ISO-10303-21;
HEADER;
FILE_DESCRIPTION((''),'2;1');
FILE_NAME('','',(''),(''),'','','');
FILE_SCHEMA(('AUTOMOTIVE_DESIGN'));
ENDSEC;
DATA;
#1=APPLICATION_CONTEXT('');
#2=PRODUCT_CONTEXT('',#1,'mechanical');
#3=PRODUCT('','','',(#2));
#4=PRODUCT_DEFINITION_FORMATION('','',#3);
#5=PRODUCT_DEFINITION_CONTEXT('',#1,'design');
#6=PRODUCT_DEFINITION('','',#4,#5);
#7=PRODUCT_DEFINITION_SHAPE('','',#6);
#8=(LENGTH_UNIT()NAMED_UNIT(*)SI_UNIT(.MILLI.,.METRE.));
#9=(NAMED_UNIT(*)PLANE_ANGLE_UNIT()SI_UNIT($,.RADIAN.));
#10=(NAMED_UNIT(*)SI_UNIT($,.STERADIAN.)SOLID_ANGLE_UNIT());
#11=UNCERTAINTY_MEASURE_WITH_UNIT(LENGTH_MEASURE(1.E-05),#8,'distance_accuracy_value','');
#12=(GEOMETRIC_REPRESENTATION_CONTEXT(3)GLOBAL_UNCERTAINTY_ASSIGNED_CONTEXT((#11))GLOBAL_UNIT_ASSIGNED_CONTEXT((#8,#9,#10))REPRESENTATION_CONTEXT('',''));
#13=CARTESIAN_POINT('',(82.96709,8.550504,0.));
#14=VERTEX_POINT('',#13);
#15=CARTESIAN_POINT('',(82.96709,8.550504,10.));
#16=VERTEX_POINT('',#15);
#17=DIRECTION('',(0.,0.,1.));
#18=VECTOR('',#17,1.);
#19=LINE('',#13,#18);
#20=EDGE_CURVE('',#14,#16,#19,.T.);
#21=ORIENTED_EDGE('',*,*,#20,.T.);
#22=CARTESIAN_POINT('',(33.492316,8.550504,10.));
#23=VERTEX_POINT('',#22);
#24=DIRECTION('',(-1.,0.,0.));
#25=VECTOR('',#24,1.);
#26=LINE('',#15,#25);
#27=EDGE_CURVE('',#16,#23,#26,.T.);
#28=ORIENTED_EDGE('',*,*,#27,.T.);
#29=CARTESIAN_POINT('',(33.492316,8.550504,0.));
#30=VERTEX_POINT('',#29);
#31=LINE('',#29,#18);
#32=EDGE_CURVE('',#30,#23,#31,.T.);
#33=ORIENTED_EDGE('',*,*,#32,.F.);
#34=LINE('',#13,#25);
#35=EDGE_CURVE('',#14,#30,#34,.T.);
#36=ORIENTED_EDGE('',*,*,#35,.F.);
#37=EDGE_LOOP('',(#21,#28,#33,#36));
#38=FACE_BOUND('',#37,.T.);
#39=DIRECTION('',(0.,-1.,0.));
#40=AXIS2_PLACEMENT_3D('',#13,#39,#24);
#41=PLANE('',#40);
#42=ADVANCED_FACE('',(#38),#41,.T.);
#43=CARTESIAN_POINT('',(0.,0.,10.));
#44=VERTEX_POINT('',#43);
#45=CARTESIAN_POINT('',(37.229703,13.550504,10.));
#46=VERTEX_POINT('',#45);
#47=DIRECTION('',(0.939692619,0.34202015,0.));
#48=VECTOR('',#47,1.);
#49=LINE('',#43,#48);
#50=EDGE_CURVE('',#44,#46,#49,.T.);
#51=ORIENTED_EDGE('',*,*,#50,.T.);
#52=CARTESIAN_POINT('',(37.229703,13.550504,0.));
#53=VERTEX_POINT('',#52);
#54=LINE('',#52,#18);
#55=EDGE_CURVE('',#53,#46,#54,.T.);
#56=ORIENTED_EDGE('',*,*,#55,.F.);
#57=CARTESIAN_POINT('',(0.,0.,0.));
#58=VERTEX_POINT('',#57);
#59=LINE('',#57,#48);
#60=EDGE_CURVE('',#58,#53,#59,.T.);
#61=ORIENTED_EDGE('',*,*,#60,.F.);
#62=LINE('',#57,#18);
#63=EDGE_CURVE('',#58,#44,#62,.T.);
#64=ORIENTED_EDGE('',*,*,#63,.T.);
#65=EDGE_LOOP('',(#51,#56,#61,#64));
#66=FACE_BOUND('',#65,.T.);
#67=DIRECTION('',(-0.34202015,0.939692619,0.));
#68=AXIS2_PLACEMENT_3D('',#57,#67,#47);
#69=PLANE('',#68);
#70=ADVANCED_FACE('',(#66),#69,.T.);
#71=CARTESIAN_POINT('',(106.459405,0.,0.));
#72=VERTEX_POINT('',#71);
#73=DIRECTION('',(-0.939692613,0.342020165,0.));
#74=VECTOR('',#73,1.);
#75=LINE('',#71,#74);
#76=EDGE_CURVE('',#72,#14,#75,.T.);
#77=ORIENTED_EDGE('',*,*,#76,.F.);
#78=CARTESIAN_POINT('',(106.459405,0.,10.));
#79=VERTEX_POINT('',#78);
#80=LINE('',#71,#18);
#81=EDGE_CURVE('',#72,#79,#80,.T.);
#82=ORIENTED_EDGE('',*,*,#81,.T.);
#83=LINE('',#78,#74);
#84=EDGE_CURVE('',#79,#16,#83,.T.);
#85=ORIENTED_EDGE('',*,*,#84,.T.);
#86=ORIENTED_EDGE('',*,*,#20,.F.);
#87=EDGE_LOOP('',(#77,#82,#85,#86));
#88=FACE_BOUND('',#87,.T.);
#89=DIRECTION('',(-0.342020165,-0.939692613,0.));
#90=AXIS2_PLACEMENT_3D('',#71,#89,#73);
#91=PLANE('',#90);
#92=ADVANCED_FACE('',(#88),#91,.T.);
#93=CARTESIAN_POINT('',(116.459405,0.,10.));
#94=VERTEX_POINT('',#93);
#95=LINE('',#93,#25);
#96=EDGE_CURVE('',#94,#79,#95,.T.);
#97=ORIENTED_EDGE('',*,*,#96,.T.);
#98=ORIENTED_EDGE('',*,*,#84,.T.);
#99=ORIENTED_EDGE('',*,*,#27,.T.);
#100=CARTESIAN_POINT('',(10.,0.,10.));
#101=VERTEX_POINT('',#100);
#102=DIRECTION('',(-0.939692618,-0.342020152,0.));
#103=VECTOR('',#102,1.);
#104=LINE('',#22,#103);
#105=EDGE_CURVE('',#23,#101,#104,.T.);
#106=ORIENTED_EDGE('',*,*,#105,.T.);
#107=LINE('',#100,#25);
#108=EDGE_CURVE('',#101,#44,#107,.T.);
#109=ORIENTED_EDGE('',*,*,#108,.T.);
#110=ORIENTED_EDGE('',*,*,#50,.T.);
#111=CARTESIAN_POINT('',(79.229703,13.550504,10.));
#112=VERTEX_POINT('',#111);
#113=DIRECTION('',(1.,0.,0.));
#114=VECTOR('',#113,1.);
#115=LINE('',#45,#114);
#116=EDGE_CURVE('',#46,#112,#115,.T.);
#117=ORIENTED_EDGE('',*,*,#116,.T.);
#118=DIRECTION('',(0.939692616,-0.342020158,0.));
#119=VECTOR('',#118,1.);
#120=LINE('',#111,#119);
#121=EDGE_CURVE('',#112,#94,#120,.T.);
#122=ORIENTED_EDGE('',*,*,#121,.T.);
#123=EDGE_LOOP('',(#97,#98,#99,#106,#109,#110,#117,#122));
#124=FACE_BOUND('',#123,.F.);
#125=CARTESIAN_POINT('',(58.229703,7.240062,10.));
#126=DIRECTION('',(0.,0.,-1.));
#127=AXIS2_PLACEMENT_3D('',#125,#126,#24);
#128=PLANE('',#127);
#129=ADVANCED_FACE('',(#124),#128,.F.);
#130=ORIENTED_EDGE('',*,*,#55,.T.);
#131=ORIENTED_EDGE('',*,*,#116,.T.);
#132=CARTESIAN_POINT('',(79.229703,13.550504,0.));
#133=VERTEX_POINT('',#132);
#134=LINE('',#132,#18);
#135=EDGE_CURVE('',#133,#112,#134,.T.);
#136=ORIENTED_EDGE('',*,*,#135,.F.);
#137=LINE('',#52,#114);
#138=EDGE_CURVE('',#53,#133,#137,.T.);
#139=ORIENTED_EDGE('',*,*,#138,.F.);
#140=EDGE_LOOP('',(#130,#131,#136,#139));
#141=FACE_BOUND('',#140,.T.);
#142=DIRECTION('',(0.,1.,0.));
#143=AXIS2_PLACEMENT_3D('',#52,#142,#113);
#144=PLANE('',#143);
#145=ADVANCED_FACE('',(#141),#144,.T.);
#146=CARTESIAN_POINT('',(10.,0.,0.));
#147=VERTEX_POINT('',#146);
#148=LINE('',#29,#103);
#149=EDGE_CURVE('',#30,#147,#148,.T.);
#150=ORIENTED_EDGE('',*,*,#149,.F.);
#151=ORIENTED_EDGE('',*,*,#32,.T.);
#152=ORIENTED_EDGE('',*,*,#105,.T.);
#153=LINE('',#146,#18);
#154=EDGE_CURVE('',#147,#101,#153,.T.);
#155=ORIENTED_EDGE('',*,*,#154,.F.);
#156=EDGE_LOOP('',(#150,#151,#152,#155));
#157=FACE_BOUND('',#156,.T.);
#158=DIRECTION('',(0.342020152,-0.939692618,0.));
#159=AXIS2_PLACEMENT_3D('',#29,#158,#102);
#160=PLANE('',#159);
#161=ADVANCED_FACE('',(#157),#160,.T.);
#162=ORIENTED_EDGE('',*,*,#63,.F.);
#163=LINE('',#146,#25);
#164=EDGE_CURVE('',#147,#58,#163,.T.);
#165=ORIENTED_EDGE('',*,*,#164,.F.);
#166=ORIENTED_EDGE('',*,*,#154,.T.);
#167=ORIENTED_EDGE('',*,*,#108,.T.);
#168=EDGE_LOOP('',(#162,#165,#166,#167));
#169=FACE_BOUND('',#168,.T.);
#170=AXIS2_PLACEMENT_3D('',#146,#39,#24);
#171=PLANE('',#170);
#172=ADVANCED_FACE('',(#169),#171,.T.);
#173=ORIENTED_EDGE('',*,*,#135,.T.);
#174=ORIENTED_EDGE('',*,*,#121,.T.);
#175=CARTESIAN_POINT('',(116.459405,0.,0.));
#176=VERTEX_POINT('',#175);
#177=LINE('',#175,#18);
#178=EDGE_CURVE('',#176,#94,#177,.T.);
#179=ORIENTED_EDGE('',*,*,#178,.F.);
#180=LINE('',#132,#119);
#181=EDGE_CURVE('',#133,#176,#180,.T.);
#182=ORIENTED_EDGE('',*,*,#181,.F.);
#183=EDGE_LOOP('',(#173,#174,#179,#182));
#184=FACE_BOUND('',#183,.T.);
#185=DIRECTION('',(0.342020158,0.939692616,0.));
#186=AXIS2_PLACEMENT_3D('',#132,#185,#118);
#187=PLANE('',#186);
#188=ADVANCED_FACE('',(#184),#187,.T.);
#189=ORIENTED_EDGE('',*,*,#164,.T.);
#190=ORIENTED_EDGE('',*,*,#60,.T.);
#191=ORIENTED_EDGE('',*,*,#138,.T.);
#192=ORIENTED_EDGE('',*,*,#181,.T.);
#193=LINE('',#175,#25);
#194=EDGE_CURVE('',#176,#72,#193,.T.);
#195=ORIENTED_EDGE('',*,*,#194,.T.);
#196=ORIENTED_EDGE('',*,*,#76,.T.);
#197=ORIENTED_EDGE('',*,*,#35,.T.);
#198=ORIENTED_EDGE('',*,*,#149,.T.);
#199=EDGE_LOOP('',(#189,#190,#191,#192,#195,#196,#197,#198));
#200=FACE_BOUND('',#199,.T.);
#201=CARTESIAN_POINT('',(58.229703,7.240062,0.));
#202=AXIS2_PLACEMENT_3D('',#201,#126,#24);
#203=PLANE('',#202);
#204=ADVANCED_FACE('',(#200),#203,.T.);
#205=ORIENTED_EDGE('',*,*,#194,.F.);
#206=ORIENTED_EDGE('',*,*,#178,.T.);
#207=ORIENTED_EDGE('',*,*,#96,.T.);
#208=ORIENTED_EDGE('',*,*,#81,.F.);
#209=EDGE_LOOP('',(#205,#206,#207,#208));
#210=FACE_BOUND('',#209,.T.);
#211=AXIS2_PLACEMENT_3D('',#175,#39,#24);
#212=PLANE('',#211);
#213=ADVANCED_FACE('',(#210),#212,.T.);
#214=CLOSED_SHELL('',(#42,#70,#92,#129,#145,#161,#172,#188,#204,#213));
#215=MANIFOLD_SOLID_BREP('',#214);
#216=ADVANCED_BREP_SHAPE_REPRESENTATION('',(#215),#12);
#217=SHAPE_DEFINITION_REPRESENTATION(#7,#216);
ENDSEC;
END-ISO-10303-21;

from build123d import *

# Parameters (mm, degrees)
PAD_DEPTH = 10


with BuildPart() as part:
    # Sketch → Pad (new body)
    with BuildSketch(Plane.XY):
        Polygon((0, 0), (37.229703, 13.550504), (79.229703, 13.550504), (116.459405, 0), (106.459405, 0), (82.96709, 8.550504), (33.492316, 8.550504), (10, 0), align=None)
    extrude(amount=PAD_DEPTH)


solid = part.part
